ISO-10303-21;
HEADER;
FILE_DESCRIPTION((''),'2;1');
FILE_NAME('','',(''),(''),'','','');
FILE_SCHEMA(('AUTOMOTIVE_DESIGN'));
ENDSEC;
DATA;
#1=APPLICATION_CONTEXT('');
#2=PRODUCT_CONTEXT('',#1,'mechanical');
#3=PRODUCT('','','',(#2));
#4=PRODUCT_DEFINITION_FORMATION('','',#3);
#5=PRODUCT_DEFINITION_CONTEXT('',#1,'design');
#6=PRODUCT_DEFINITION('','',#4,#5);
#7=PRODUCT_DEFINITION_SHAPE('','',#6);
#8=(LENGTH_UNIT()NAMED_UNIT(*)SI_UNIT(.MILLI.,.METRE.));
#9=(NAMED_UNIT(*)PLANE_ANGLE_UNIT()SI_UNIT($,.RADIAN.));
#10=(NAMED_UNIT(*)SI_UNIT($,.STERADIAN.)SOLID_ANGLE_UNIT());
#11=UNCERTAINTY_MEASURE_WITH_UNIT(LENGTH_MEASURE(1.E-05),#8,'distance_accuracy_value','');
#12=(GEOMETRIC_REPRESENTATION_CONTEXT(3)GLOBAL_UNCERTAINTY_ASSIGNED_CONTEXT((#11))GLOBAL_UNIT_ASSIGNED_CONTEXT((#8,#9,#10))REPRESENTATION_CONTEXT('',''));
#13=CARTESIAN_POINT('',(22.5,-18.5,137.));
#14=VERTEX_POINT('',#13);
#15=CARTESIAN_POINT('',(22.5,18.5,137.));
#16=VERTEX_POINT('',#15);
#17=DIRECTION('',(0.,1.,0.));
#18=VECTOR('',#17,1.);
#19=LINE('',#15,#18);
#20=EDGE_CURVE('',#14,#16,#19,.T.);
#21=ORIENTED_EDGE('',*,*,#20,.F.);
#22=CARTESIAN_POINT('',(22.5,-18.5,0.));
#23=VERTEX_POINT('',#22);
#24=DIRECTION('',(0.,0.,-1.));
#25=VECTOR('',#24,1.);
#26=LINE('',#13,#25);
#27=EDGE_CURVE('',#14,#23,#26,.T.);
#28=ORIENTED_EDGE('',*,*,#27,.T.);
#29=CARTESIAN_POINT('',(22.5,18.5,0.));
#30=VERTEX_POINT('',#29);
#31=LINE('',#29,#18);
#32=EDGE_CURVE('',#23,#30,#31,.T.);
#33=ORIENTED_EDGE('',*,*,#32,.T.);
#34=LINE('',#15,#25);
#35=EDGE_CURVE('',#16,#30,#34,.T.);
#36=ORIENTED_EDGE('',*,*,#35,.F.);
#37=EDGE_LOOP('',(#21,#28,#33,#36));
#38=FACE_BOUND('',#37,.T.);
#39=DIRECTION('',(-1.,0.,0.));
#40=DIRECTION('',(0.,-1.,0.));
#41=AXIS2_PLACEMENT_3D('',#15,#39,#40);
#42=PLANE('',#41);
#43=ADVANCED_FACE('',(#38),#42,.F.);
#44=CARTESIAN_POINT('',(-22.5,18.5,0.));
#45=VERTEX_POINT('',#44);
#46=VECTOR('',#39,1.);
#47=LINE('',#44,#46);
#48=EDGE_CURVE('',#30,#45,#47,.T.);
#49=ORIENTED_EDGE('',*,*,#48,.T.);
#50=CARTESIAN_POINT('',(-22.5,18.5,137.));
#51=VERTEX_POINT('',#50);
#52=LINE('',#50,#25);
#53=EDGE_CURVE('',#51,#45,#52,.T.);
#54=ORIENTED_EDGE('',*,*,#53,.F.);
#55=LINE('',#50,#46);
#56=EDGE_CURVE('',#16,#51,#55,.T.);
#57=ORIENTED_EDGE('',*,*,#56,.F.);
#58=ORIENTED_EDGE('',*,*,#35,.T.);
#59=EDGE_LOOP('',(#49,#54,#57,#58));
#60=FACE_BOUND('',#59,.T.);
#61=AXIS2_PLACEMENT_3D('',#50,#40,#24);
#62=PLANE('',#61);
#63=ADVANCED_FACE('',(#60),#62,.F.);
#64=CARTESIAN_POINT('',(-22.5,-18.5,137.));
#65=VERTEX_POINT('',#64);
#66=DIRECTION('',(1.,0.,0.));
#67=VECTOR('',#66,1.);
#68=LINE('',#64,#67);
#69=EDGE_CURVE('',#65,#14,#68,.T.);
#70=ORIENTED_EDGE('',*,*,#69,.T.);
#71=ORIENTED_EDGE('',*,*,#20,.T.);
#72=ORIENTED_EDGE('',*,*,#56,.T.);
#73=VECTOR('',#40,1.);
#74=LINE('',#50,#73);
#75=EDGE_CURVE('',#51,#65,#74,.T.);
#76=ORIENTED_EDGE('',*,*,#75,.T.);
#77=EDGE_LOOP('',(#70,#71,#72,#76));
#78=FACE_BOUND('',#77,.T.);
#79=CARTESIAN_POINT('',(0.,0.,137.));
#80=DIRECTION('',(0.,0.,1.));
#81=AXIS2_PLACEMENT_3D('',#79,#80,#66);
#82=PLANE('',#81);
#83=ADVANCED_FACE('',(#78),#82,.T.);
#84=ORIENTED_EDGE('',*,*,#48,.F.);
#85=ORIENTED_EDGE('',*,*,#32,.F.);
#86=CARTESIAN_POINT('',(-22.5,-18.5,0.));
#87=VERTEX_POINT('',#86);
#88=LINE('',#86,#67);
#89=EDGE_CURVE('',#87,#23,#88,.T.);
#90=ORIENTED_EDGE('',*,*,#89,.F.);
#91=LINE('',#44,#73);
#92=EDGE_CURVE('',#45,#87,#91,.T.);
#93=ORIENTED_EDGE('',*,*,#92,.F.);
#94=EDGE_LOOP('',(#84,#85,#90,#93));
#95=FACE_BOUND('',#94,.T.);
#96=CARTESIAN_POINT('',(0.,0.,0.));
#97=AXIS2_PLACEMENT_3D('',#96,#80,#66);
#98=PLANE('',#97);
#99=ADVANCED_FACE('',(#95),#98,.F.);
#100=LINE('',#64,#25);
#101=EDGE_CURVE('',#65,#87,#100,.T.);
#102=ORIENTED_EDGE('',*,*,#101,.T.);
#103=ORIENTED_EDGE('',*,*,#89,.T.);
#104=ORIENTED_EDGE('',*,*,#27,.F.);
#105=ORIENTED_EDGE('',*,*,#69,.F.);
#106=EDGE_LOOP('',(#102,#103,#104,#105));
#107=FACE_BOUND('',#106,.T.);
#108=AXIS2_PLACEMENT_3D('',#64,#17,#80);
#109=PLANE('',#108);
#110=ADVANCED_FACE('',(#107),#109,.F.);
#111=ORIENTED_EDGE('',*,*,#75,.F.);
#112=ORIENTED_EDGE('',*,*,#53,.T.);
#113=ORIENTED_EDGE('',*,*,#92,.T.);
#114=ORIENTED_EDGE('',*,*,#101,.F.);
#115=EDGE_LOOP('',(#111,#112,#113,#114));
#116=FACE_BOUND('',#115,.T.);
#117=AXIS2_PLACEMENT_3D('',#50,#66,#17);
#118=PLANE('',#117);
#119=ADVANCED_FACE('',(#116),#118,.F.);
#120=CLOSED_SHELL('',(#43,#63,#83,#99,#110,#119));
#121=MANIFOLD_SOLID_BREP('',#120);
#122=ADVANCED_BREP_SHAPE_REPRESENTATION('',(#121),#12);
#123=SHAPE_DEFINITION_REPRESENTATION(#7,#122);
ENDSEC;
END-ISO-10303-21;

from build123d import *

# Parameters (mm, degrees)
SKETCH1_W           = 45
SKETCH1_H           = 37
BOSS_EXTRUDE1_DEPTH = 137


with BuildPart() as part:
    # Sketch1 → Boss-Extrude1 (new body)
    with BuildSketch(Plane.XY):
        Rectangle(SKETCH1_W, SKETCH1_H)
    extrude(amount=BOSS_EXTRUDE1_DEPTH)


solid = part.part
